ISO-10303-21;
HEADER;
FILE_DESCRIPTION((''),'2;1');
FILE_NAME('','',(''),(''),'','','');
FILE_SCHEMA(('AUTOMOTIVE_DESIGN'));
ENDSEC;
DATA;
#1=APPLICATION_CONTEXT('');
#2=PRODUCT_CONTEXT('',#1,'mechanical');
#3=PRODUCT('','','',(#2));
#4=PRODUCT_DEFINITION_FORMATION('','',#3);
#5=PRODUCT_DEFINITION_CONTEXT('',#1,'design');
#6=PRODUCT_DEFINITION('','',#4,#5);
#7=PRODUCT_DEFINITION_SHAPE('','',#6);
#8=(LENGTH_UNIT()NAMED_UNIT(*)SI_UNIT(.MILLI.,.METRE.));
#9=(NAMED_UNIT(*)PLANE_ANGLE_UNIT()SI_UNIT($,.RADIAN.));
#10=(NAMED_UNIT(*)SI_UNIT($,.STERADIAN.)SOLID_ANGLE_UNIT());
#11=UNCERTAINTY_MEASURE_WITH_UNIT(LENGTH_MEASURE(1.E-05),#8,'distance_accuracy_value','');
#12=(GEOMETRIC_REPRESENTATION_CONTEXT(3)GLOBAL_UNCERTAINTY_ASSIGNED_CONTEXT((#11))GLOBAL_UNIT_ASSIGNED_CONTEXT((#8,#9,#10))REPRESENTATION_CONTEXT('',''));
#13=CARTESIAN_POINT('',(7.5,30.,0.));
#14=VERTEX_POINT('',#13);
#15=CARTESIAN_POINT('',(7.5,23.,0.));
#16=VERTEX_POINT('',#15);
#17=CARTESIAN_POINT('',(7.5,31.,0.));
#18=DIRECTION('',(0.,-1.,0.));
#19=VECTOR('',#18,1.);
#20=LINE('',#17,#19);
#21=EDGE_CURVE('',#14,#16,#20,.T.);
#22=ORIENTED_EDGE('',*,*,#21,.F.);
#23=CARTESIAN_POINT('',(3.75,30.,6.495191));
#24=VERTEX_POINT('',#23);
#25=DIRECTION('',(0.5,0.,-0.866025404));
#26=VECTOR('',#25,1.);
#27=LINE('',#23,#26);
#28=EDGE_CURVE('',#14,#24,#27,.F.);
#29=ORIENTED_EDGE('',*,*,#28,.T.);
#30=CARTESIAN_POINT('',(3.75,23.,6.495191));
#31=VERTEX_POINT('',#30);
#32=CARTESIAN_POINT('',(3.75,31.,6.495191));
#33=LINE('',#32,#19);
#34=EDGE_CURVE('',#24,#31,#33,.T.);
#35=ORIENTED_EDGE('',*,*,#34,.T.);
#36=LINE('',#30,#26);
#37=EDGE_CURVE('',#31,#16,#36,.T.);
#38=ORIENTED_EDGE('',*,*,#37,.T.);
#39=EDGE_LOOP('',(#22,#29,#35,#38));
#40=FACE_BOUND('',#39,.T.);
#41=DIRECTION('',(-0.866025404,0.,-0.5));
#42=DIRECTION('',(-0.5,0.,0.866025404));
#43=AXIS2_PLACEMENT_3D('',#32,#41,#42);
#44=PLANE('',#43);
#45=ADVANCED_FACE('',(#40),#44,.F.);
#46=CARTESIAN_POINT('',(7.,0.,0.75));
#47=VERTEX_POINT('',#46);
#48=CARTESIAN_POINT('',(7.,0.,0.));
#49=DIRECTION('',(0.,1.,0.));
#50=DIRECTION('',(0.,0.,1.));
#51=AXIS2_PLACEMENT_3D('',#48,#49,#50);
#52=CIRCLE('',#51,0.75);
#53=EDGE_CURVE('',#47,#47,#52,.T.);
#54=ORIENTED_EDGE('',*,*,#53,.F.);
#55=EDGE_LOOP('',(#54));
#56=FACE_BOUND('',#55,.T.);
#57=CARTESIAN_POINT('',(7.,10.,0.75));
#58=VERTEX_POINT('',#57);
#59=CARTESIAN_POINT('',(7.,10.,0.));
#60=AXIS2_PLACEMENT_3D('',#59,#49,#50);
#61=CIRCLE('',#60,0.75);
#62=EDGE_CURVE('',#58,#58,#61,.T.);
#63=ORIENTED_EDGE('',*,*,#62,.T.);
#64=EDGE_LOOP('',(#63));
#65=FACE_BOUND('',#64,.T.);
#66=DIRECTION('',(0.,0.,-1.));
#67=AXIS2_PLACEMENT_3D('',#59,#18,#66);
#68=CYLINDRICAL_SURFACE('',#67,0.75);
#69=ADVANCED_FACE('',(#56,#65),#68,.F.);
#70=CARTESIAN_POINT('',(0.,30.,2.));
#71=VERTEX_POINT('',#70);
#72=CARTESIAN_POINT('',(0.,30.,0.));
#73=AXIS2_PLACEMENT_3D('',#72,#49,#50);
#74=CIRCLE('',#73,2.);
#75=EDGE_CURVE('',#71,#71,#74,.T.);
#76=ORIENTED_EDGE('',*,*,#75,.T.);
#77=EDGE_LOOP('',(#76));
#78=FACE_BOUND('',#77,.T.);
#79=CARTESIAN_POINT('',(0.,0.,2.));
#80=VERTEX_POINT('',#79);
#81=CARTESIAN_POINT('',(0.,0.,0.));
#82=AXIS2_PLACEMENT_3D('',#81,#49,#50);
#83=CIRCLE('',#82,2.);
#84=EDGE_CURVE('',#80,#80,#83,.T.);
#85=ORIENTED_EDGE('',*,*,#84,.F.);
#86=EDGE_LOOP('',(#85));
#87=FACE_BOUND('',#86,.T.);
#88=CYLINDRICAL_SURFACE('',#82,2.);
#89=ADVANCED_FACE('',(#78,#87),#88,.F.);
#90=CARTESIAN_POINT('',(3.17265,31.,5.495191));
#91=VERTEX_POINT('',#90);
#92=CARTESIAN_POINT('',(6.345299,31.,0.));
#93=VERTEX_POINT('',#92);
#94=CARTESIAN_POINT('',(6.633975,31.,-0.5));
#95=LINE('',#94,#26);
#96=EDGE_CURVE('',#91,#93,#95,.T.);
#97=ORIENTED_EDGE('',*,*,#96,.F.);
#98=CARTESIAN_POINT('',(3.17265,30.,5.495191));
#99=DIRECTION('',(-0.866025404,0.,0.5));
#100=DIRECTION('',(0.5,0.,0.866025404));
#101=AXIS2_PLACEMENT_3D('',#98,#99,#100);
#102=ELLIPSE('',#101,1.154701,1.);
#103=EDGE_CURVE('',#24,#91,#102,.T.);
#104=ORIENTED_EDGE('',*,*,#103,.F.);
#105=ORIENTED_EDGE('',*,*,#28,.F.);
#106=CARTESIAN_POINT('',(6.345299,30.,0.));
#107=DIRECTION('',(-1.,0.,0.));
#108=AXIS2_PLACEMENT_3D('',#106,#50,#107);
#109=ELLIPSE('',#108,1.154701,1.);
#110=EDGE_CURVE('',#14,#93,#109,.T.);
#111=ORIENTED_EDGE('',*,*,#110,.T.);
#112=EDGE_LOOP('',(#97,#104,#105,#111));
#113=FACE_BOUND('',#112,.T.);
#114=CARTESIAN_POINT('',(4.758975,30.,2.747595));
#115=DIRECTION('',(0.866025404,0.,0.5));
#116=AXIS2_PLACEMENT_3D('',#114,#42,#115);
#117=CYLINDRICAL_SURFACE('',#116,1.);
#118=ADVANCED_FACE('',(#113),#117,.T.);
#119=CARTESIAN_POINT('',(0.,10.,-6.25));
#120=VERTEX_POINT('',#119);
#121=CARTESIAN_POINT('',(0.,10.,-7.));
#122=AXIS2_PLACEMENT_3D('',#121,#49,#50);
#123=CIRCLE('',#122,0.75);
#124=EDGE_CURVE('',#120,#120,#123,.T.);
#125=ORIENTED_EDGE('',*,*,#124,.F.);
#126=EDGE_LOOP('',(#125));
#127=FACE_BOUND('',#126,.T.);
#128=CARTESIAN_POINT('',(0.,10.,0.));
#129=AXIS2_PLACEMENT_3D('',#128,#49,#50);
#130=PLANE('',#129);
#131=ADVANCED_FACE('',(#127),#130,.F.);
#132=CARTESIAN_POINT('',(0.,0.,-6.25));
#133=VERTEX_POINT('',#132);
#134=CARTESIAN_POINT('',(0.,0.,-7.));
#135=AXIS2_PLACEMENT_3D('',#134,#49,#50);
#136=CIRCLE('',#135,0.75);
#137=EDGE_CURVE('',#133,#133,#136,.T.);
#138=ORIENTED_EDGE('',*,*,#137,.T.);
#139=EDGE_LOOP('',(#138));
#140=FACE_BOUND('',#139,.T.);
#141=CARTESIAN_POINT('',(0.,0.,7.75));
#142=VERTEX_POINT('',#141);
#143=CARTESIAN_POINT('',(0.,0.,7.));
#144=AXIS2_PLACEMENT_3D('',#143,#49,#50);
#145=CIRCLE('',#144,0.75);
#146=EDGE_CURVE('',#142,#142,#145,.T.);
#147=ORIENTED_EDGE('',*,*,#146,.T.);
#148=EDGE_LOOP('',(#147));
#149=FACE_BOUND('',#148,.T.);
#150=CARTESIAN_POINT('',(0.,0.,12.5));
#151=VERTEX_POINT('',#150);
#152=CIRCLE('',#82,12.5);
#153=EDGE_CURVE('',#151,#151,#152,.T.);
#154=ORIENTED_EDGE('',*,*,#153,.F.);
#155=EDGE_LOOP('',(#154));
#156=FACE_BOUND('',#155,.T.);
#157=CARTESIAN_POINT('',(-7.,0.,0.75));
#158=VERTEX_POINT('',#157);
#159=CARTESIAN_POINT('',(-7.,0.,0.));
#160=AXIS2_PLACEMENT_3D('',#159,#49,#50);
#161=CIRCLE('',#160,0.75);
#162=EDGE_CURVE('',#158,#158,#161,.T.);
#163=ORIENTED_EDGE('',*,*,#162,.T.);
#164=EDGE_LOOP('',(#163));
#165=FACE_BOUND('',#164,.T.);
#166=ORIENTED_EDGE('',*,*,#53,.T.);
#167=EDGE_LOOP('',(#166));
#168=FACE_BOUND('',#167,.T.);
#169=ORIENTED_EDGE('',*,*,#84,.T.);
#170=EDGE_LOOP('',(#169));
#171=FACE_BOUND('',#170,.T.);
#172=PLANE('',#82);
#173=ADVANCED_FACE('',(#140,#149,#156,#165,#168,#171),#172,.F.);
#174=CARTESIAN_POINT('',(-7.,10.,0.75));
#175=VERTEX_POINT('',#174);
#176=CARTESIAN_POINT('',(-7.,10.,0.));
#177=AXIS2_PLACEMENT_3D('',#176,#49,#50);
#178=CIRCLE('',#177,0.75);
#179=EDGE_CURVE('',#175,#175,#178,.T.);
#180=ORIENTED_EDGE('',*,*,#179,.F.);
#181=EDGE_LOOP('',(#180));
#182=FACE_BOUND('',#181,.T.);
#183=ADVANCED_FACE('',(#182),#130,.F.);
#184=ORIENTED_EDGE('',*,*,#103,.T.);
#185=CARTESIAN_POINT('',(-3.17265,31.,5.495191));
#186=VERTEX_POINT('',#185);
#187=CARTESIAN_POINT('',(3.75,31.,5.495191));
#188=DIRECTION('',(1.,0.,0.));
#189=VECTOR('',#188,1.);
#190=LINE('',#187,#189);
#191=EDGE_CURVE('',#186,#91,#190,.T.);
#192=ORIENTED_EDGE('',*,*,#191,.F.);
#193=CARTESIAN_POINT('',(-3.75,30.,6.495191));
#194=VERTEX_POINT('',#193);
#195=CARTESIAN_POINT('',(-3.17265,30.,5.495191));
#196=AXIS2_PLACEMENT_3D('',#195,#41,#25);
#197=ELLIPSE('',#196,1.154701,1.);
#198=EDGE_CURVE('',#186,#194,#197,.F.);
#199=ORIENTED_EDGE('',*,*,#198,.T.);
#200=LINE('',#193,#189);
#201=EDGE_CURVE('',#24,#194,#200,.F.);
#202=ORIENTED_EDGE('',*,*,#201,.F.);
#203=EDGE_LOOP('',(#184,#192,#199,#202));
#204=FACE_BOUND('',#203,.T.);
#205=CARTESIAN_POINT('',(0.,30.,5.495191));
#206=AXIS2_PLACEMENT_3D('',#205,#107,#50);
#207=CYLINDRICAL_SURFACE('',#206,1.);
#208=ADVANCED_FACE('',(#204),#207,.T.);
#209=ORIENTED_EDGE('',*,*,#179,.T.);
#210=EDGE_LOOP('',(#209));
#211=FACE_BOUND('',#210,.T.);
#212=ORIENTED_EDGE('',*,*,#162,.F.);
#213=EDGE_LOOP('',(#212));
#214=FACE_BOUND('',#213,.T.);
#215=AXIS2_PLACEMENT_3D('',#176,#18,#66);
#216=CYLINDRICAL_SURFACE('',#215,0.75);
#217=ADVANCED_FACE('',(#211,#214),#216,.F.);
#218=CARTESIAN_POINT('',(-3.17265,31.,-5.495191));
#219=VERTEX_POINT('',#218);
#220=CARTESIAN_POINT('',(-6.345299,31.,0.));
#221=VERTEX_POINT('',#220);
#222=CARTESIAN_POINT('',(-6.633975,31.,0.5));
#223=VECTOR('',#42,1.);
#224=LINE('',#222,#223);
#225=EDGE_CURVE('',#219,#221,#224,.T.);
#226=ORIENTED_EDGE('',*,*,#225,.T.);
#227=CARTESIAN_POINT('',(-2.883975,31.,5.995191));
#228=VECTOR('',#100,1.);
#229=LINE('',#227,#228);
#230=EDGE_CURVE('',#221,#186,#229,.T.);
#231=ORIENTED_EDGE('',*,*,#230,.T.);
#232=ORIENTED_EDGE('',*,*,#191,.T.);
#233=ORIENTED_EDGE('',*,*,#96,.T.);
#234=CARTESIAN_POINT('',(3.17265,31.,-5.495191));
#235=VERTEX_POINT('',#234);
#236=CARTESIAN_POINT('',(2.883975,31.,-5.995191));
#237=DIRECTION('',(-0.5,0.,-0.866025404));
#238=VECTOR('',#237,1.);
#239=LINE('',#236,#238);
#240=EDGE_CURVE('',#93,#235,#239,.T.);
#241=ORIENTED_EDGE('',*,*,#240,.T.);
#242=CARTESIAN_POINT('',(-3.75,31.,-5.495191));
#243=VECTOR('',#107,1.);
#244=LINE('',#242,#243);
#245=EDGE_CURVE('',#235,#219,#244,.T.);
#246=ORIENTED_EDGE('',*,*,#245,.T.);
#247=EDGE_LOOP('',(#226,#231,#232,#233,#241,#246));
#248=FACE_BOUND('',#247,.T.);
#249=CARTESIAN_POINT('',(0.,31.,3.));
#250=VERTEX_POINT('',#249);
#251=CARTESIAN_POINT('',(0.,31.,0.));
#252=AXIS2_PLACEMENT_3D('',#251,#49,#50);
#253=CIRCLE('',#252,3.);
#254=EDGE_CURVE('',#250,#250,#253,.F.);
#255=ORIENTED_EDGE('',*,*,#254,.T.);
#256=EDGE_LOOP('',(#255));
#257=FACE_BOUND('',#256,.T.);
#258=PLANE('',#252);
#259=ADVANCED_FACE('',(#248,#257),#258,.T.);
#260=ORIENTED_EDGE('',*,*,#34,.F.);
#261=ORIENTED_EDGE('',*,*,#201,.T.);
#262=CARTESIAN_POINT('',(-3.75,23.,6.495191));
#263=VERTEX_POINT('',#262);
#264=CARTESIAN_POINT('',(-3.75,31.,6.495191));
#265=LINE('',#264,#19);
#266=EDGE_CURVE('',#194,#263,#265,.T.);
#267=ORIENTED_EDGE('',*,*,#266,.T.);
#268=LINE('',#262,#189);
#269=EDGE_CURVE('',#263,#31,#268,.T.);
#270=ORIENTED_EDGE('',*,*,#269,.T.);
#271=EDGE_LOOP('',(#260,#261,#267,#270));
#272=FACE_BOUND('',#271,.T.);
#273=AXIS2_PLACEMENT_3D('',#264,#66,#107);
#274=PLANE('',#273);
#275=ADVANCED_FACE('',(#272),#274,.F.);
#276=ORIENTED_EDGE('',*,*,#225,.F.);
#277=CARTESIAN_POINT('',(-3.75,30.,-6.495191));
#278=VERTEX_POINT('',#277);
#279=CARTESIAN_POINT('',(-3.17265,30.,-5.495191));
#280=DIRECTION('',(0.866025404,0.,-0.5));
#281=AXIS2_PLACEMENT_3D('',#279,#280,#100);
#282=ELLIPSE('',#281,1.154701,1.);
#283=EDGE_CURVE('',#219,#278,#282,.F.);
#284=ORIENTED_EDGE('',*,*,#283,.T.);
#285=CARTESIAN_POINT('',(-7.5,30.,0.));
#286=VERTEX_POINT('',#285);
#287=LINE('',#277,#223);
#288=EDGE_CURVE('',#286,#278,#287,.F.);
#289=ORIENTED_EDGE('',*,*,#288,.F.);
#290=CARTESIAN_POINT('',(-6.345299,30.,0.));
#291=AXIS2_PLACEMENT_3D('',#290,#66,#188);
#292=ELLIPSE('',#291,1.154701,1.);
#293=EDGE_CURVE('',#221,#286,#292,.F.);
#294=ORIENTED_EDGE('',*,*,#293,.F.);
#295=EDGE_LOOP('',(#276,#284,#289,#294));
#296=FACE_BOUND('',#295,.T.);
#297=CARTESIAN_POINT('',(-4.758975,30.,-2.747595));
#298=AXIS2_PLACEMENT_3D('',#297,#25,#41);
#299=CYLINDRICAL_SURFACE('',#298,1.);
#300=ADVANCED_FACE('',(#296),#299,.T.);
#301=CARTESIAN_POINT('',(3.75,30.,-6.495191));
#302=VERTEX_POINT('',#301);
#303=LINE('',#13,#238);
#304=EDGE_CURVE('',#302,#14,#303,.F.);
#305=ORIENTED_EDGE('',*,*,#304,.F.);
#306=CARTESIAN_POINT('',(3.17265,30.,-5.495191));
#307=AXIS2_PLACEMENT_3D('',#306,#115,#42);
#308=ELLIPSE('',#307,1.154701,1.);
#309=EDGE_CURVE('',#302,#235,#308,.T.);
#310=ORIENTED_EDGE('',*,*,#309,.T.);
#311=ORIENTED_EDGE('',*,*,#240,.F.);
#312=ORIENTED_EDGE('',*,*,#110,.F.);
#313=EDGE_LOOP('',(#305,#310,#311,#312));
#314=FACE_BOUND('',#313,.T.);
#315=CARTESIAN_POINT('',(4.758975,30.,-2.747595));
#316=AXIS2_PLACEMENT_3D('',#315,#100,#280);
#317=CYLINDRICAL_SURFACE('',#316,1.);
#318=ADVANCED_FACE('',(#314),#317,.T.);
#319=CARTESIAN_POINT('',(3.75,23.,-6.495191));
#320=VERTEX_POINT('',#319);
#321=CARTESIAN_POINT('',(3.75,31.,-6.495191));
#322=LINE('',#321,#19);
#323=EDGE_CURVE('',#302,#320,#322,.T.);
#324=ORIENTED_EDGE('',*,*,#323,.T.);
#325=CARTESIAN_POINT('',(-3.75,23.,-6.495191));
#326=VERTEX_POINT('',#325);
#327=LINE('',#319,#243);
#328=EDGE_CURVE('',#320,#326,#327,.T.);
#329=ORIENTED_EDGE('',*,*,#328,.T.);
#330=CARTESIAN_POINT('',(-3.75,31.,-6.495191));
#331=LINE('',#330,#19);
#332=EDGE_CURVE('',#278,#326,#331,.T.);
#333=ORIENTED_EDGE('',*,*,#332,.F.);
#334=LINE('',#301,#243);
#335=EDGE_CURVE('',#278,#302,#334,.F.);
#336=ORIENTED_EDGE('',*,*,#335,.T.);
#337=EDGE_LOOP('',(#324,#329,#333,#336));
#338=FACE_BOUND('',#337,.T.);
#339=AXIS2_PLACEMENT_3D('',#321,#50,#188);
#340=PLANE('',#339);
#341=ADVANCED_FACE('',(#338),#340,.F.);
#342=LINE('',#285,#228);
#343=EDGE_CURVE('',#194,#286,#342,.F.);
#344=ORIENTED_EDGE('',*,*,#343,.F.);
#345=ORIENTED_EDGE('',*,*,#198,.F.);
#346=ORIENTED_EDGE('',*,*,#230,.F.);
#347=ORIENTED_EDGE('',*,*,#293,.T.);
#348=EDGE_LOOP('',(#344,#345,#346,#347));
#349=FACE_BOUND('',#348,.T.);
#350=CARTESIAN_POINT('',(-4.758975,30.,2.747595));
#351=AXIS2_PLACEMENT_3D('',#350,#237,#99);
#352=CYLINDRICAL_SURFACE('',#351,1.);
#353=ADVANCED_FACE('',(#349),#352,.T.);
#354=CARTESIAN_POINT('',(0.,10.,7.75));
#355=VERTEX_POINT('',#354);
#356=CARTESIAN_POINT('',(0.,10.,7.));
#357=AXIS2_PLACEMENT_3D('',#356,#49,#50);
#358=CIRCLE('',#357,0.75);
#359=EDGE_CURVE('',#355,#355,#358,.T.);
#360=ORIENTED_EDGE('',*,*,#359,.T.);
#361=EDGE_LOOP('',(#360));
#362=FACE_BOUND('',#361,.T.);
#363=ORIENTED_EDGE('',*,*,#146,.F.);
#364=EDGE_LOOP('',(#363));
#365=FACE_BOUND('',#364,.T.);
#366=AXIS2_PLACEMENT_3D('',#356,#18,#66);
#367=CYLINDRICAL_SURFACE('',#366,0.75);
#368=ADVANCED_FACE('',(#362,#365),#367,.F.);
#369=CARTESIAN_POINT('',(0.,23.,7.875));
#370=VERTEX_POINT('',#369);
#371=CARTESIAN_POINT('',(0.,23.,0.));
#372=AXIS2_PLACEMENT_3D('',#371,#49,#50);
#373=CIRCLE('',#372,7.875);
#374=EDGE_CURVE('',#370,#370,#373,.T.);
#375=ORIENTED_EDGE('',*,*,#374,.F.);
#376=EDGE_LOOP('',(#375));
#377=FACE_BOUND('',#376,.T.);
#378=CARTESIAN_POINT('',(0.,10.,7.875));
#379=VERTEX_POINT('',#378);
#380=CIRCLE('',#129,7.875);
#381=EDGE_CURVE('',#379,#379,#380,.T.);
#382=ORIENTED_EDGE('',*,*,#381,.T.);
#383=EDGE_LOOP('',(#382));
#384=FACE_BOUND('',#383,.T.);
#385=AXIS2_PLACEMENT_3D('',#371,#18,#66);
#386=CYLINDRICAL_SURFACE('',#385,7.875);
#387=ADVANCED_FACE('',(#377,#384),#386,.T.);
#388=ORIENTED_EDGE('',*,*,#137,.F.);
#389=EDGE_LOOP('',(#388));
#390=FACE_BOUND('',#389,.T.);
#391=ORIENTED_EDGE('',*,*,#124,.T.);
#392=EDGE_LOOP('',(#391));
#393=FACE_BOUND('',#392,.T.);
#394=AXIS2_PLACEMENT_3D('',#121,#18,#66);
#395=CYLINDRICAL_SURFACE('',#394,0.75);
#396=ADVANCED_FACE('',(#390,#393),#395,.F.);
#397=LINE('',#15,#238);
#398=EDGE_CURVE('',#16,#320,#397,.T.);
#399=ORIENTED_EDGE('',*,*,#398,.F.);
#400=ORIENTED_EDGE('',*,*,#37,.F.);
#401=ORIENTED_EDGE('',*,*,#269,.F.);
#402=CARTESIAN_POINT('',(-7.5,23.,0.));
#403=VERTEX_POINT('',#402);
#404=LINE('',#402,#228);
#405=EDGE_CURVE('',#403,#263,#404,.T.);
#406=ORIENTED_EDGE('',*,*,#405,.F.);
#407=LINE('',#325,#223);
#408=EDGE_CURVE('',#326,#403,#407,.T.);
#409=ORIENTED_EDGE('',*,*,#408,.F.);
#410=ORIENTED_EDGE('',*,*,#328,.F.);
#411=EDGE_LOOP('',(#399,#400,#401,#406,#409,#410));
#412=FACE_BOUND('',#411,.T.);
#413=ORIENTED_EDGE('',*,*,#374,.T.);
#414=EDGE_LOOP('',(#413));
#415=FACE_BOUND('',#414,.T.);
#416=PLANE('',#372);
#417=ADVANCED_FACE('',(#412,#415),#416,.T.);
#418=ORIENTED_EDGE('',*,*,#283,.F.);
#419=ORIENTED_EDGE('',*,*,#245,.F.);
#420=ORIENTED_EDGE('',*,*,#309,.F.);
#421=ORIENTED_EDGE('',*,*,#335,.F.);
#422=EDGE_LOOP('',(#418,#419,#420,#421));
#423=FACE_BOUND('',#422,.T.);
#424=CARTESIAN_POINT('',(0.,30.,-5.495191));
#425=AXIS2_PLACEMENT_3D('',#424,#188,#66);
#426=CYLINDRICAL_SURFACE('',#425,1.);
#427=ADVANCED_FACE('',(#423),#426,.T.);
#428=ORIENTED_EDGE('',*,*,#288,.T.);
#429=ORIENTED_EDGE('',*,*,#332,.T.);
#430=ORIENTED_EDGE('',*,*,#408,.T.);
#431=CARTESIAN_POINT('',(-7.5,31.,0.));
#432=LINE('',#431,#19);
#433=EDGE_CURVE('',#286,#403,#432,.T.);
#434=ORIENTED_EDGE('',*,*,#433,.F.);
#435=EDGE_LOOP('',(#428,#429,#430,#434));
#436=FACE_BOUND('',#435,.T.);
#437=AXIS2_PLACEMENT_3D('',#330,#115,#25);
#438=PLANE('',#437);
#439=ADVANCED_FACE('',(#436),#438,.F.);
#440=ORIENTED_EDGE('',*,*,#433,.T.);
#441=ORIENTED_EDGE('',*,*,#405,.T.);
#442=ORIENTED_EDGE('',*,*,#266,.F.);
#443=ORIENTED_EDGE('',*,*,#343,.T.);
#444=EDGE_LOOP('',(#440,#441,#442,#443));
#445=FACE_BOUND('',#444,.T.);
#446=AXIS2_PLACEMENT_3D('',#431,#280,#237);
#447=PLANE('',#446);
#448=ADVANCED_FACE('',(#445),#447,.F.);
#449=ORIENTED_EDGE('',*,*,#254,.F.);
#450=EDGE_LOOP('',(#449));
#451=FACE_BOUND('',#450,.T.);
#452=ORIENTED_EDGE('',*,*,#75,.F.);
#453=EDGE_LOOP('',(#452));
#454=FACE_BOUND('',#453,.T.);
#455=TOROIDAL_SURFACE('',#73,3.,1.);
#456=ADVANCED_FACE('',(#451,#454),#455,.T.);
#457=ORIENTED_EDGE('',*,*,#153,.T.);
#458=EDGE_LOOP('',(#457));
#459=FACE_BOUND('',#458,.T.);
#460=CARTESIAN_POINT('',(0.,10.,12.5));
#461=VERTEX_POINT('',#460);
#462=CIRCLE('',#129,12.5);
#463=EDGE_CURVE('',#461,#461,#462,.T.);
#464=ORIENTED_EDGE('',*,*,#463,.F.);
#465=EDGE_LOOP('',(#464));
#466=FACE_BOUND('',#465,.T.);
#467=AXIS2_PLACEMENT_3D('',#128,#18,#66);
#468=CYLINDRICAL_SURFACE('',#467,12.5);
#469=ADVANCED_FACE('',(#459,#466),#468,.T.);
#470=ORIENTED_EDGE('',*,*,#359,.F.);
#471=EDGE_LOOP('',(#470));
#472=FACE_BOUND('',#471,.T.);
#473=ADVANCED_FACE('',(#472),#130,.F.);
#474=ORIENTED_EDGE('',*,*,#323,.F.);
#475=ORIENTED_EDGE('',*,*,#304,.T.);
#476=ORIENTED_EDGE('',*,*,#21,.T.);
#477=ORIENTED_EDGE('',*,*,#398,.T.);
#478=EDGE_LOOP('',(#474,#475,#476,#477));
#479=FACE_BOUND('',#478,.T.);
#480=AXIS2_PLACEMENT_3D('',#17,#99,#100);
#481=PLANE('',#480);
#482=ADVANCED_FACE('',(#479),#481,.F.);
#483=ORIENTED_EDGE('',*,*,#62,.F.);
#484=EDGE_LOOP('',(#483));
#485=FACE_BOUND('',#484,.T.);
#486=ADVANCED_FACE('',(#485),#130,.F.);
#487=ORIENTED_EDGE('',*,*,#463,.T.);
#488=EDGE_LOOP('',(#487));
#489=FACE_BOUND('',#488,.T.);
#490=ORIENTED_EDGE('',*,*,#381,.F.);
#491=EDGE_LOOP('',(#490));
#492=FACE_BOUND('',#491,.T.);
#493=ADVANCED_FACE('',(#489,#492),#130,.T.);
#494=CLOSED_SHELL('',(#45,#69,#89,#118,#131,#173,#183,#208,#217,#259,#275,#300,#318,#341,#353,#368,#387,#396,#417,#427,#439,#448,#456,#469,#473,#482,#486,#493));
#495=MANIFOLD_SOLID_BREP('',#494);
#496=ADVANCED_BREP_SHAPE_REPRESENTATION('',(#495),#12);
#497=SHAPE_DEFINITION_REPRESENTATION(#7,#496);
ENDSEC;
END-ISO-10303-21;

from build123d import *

# Parameters (mm, degrees)
CROQUIS1_R              = 12.5
CROQUIS1_R_2            = 0.75
SALIENTE_EXTRUIR1_DEPTH = 10
CROQUIS2_R              = 7.875
SALIENTE_EXTRUIR2_DEPTH = 13
SALIENTE_EXTRUIR3_DEPTH = 8
CROQUIS4_R              = 2
CORTAR_EXTRUIR1_DEPTH   = 32
REDONDEO1_R             = 1


with BuildPart() as part:
    # Croquis1 → Saliente-Extruir1 (new body)
    with BuildSketch(Plane(origin=(0, 0, 0), x_dir=(1, 0, 0), z_dir=(0, 1, 0))):
        Circle(CROQUIS1_R)
        with Locations((7, 0)):
            Circle(CROQUIS1_R_2, mode=Mode.SUBTRACT)
        with Locations((0, -7)):
            Circle(CROQUIS1_R_2, mode=Mode.SUBTRACT)
        with Locations((-7, 0)):
            Circle(CROQUIS1_R_2, mode=Mode.SUBTRACT)
        with Locations((0, 7)):
            Circle(CROQUIS1_R_2, mode=Mode.SUBTRACT)
    extrude(amount=SALIENTE_EXTRUIR1_DEPTH)

    # Croquis2 → Saliente-Extruir2 (add)
    with BuildSketch(Plane(origin=(0, 10, 0), x_dir=(1, 0, 0), z_dir=(0, 1, 0))):
        Circle(CROQUIS2_R)
    extrude(amount=SALIENTE_EXTRUIR2_DEPTH)

    # Croquis3 → Saliente-Extruir3 (add)
    with BuildSketch(Plane(origin=(0, 23, 0), x_dir=(1, 0, 0), z_dir=(0, 1, 0))):
        Polygon((7.5, 0), (3.75, 6.495190528), (-3.75, 6.495190528), (-7.5, 0), (-3.75, -6.495190528), (3.75, -6.495190528), align=None)
    extrude(amount=SALIENTE_EXTRUIR3_DEPTH)

    # Croquis4 → Cortar-Extruir1 (cut, through all)
    with BuildSketch(Plane(origin=(0, 31, 0), x_dir=(1, 0, 0), z_dir=(0, 1, 0))):
        Circle(CROQUIS4_R)
    extrude(amount=-CORTAR_EXTRUIR1_DEPTH, mode=Mode.SUBTRACT)

    # Redondeo1
    redondeo1_edges = [part.edges().sort_by_distance(p)[0] for p in [
        (5.625, 31, 3.247595264),
        (5.625, 31, -3.247595264),
        (0, 31, -6.495190528),
        (-5.625, 31, -3.247595264),
        (-5.625, 31, 3.247595264),
        (0, 31, 6.495190528),
        (-2, 31, 0),
    ]]
    fillet(redondeo1_edges, radius=REDONDEO1_R)


solid = part.part
